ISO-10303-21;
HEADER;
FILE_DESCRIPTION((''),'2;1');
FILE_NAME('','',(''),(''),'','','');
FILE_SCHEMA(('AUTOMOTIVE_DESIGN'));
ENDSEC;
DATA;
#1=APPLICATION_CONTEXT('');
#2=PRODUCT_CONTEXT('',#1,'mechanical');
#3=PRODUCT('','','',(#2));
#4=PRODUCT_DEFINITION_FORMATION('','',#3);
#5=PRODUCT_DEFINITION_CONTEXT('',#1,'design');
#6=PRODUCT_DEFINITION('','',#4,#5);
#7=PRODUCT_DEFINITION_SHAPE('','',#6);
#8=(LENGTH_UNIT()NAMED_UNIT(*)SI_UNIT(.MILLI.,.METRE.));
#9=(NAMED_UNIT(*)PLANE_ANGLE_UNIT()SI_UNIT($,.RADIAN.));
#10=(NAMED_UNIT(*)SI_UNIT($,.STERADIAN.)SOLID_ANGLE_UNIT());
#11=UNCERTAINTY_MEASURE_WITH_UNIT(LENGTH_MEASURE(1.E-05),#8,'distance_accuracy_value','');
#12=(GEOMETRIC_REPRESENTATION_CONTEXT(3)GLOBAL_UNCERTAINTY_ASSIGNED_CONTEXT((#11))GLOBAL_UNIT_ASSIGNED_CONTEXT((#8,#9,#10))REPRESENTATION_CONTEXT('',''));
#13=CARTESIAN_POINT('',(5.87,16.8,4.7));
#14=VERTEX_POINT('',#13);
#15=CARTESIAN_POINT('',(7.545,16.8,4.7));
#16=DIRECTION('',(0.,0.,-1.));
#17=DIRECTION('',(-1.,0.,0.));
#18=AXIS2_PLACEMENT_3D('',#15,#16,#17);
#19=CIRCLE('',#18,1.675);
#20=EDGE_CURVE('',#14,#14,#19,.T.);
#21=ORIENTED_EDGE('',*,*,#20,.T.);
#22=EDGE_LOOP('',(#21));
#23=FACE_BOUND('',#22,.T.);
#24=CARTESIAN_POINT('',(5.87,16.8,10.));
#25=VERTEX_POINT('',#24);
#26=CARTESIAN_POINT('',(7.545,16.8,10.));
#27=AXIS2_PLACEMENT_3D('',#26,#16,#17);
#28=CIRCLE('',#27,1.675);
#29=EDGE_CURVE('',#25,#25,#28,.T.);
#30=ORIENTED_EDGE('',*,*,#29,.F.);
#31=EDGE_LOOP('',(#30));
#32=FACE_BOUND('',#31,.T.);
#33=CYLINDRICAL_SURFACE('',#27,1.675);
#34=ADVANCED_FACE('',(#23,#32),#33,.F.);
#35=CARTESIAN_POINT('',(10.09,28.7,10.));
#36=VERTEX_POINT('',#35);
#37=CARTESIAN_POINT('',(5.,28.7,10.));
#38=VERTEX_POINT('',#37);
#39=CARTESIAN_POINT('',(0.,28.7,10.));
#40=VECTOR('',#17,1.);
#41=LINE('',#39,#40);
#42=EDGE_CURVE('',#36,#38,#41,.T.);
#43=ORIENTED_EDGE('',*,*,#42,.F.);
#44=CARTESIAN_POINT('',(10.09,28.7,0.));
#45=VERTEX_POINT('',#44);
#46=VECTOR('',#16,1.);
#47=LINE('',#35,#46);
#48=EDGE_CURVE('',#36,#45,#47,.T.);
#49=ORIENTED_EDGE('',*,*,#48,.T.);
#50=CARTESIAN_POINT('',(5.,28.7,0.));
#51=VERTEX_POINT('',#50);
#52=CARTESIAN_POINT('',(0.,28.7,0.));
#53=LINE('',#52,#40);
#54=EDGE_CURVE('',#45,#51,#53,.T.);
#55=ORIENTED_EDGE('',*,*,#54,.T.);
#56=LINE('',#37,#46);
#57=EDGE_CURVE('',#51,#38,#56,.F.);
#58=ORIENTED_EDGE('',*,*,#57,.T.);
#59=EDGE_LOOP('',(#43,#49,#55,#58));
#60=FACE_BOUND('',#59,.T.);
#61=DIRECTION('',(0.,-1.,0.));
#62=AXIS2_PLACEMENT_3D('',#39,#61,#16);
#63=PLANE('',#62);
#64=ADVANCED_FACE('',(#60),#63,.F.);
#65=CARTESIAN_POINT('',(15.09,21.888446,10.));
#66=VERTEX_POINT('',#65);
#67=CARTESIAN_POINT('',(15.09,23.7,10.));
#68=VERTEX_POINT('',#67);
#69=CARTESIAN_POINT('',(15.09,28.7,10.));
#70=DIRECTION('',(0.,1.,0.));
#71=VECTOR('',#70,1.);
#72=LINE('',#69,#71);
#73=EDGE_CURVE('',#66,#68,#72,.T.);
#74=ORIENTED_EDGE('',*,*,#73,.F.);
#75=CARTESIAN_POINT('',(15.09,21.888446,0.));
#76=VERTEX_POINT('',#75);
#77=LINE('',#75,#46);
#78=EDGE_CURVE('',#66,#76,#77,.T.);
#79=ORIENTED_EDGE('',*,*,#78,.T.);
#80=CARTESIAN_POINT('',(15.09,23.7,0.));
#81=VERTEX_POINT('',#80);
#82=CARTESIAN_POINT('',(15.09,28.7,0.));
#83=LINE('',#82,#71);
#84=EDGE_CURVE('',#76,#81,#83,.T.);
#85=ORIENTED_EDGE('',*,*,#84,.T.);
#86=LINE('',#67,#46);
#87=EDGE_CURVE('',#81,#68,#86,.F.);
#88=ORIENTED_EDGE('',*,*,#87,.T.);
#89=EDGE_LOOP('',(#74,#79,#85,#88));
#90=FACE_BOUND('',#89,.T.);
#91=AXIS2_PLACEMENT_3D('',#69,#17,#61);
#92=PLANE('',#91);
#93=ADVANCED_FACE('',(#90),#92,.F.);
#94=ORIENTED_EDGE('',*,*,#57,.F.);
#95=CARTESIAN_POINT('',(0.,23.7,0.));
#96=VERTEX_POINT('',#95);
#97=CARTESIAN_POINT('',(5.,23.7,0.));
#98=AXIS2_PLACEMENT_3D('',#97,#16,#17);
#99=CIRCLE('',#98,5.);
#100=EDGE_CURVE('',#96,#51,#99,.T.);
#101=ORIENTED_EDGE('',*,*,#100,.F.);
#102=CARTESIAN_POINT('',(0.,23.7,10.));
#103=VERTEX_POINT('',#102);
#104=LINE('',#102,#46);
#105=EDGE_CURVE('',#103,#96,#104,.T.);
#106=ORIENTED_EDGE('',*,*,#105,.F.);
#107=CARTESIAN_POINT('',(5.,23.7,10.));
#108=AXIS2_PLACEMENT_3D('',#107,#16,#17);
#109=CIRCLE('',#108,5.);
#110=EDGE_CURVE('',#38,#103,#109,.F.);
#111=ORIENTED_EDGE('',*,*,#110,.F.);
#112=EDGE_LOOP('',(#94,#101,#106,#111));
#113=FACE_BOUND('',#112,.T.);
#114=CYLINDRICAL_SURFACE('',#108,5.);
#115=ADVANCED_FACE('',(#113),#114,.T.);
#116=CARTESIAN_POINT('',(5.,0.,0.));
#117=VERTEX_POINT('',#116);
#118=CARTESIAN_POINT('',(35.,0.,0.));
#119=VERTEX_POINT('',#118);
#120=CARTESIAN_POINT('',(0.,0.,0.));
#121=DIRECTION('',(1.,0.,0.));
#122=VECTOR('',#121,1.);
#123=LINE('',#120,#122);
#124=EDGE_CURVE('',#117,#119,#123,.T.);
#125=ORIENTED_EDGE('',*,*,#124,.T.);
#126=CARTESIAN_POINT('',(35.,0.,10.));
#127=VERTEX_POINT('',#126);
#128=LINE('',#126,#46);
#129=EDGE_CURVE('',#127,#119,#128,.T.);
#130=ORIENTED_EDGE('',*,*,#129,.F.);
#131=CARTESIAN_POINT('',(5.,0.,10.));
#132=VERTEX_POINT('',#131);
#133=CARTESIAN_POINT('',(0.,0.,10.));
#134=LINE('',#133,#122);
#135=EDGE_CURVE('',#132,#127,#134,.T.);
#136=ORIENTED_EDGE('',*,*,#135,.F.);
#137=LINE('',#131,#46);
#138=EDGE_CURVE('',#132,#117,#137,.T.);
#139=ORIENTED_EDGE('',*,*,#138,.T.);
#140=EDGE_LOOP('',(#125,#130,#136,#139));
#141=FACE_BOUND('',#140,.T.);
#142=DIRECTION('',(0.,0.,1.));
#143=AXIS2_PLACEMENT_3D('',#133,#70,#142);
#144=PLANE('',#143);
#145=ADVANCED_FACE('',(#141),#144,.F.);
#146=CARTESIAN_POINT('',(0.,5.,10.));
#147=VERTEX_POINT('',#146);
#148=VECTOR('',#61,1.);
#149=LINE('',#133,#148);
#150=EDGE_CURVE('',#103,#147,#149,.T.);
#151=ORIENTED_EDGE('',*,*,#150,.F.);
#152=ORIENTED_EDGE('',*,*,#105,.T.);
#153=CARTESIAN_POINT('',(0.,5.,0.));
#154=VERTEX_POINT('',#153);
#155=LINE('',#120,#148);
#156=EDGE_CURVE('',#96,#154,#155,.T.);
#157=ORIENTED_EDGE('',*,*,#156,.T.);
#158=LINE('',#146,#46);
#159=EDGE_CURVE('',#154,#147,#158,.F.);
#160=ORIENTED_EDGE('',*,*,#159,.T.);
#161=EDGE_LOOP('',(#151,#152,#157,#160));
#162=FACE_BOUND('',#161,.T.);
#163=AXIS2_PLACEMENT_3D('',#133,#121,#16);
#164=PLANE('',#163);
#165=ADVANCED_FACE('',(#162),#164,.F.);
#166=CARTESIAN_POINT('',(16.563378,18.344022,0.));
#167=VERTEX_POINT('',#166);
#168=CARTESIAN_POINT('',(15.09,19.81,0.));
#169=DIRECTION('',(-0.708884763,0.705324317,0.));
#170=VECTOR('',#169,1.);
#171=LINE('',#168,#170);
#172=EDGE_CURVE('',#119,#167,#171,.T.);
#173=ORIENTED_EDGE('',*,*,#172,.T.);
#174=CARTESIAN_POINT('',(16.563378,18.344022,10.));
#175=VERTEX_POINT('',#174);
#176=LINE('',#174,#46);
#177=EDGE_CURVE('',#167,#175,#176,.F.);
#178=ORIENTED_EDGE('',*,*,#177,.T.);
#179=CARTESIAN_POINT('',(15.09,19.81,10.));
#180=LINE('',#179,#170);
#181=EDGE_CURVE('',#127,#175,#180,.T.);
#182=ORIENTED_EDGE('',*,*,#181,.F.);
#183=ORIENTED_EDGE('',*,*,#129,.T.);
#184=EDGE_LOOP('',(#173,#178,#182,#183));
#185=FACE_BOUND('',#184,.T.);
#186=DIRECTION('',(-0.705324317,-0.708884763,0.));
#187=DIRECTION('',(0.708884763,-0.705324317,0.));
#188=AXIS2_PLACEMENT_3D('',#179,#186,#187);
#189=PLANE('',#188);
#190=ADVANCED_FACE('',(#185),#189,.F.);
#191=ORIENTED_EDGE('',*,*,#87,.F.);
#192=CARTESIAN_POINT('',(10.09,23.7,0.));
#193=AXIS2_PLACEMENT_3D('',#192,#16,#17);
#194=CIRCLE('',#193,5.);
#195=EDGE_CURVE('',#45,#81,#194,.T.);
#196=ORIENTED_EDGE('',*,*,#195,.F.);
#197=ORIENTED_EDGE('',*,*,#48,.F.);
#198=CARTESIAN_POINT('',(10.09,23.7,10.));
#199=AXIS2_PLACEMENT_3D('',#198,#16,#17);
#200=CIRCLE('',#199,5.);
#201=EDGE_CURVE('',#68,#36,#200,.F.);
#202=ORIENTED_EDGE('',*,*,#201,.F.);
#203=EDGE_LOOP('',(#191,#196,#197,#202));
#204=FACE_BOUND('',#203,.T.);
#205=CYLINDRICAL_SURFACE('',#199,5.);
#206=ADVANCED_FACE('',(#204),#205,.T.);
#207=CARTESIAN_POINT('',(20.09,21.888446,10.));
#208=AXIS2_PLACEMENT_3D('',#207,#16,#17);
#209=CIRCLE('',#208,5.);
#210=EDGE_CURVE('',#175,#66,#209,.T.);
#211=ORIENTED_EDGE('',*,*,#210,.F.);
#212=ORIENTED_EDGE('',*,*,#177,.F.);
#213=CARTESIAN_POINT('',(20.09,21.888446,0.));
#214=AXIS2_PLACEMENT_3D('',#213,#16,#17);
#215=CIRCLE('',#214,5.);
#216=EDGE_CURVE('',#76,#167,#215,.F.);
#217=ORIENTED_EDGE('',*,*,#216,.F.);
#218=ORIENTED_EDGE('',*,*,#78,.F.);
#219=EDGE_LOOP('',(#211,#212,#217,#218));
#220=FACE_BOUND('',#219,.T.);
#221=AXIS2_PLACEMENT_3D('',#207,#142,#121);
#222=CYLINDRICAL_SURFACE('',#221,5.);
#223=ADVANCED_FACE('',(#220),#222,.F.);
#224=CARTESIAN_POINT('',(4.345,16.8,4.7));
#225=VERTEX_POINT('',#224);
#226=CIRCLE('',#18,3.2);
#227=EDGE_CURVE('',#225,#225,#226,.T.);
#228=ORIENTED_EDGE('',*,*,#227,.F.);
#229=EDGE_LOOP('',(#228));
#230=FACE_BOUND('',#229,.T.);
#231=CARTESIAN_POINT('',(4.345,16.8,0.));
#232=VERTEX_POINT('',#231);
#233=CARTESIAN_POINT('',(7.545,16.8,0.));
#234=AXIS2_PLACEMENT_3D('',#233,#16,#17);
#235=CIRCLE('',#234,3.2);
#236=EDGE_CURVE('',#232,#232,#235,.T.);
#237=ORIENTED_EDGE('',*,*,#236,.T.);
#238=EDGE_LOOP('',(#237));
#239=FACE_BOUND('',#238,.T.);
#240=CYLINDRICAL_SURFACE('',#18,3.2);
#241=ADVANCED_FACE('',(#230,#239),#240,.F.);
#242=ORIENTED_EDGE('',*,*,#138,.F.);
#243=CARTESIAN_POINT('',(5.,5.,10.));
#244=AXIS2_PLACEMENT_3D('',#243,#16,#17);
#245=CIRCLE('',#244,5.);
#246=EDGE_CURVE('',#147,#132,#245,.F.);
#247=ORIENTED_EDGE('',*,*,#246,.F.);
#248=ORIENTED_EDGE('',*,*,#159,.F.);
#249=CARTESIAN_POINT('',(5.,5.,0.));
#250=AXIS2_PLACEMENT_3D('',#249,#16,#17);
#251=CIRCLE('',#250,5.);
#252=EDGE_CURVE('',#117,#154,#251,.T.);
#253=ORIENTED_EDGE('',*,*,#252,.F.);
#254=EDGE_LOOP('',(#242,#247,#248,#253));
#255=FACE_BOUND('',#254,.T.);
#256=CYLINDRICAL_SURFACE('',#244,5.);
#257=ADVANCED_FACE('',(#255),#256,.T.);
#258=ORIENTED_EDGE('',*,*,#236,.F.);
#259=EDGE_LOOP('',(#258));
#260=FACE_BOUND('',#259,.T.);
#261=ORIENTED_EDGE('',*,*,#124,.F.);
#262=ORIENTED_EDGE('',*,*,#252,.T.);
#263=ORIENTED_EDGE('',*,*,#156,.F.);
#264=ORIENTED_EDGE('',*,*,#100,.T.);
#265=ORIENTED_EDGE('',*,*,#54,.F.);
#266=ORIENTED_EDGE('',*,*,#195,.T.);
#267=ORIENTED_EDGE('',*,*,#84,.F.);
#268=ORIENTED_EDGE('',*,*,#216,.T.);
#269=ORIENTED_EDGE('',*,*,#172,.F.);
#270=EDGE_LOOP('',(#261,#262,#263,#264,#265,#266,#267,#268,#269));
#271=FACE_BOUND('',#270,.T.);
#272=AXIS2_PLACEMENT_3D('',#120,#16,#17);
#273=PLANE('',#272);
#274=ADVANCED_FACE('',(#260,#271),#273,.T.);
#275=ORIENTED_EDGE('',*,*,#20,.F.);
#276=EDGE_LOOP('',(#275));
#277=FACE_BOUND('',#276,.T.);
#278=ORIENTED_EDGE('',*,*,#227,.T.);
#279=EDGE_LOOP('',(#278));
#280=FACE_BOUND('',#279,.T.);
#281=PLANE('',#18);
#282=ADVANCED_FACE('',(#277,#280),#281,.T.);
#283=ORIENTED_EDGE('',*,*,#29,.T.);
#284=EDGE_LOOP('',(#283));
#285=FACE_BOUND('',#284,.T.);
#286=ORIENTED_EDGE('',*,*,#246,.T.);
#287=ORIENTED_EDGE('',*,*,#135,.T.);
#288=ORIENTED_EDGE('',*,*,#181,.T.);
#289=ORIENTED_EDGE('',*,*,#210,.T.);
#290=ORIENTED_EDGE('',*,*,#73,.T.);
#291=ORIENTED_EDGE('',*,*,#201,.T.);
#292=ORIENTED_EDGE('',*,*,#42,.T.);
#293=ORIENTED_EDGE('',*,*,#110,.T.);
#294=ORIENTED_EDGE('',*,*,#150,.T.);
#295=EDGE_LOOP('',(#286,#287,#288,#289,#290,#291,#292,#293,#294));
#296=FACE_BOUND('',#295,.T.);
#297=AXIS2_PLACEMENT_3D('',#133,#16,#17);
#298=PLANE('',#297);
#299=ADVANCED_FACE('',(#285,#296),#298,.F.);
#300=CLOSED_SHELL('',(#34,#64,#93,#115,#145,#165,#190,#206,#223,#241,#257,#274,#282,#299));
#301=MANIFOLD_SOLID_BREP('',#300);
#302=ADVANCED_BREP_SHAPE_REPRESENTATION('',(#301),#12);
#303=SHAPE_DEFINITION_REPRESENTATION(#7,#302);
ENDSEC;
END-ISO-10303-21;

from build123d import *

# Parameters (mm, degrees)
BOSS_EXTRUDE1_DEPTH = 10
FILLET1_R           = 5
SKETCH2_R           = 3.2
CUT_EXTRUDE1_DEPTH  = 4.7
SKETCH3_R           = 1.6
CUT_EXTRUDE2_DEPTH  = 10
SKETCH5_R           = 3.2
CUT_EXTRUDE3_DEPTH  = 4.7
SKETCH6_R           = 3.2
BOSS_EXTRUDE2_DEPTH = 4.7
SKETCH8_R           = 1.675
CUT_EXTRUDE4_DEPTH  = 10


with BuildPart() as part:
    # Sketch1 → Boss-Extrude1 (new body)
    with BuildSketch(Plane.XY):
        Polygon((0, 0), (35, 0), (15.09, 19.81), (15.09, 28.7), (0, 28.7), align=None)
    extrude(amount=BOSS_EXTRUDE1_DEPTH)

    # Fillet1
    fillet1_edges = [part.edges().sort_by_distance(p)[0] for p in [
        (0, 28.7, 5),
        (15.09, 28.7, 5),
        (15.09, 19.81, 5),
        (0, 0, 5),
    ]]
    fillet(fillet1_edges, radius=FILLET1_R)

    # Sketch2 → Cut-Extrude1 (cut)
    with BuildSketch(Plane.XY.offset(10)):
        with Locations((7.545, 16.8)):
            Circle(SKETCH2_R)
    extrude(amount=-CUT_EXTRUDE1_DEPTH, mode=Mode.SUBTRACT)

    # Sketch3 → Cut-Extrude2 (cut)
    with BuildSketch(Plane.XY.offset(10)):
        with Locations((7.545, 16.8)):
            Circle(SKETCH3_R)
    extrude(amount=-CUT_EXTRUDE2_DEPTH, mode=Mode.SUBTRACT)

    # Sketch5 → Cut-Extrude3 (cut)
    with BuildSketch(Plane(origin=(0, 0, 0), x_dir=(-1, 0, 0), z_dir=(0, 0, -1))):
        with Locations((-7.545, 16.8)):
            Circle(SKETCH5_R)
    extrude(amount=-CUT_EXTRUDE3_DEPTH, mode=Mode.SUBTRACT)

    # Sketch6 → Boss-Extrude2 (add)
    with BuildSketch(Plane.XY.offset(10)):
        with Locations((7.545, 16.8)):
            Circle(SKETCH6_R)
    extrude(amount=-BOSS_EXTRUDE2_DEPTH)

    # Sketch8 → Cut-Extrude4 (cut)
    with BuildSketch(Plane(origin=(0, 0, 0), x_dir=(-1, 0, 0), z_dir=(0, 0, -1))):
        with Locations((-7.545, 16.8)):
            Circle(SKETCH8_R)
    extrude(amount=-CUT_EXTRUDE4_DEPTH, mode=Mode.SUBTRACT)


solid = part.part
